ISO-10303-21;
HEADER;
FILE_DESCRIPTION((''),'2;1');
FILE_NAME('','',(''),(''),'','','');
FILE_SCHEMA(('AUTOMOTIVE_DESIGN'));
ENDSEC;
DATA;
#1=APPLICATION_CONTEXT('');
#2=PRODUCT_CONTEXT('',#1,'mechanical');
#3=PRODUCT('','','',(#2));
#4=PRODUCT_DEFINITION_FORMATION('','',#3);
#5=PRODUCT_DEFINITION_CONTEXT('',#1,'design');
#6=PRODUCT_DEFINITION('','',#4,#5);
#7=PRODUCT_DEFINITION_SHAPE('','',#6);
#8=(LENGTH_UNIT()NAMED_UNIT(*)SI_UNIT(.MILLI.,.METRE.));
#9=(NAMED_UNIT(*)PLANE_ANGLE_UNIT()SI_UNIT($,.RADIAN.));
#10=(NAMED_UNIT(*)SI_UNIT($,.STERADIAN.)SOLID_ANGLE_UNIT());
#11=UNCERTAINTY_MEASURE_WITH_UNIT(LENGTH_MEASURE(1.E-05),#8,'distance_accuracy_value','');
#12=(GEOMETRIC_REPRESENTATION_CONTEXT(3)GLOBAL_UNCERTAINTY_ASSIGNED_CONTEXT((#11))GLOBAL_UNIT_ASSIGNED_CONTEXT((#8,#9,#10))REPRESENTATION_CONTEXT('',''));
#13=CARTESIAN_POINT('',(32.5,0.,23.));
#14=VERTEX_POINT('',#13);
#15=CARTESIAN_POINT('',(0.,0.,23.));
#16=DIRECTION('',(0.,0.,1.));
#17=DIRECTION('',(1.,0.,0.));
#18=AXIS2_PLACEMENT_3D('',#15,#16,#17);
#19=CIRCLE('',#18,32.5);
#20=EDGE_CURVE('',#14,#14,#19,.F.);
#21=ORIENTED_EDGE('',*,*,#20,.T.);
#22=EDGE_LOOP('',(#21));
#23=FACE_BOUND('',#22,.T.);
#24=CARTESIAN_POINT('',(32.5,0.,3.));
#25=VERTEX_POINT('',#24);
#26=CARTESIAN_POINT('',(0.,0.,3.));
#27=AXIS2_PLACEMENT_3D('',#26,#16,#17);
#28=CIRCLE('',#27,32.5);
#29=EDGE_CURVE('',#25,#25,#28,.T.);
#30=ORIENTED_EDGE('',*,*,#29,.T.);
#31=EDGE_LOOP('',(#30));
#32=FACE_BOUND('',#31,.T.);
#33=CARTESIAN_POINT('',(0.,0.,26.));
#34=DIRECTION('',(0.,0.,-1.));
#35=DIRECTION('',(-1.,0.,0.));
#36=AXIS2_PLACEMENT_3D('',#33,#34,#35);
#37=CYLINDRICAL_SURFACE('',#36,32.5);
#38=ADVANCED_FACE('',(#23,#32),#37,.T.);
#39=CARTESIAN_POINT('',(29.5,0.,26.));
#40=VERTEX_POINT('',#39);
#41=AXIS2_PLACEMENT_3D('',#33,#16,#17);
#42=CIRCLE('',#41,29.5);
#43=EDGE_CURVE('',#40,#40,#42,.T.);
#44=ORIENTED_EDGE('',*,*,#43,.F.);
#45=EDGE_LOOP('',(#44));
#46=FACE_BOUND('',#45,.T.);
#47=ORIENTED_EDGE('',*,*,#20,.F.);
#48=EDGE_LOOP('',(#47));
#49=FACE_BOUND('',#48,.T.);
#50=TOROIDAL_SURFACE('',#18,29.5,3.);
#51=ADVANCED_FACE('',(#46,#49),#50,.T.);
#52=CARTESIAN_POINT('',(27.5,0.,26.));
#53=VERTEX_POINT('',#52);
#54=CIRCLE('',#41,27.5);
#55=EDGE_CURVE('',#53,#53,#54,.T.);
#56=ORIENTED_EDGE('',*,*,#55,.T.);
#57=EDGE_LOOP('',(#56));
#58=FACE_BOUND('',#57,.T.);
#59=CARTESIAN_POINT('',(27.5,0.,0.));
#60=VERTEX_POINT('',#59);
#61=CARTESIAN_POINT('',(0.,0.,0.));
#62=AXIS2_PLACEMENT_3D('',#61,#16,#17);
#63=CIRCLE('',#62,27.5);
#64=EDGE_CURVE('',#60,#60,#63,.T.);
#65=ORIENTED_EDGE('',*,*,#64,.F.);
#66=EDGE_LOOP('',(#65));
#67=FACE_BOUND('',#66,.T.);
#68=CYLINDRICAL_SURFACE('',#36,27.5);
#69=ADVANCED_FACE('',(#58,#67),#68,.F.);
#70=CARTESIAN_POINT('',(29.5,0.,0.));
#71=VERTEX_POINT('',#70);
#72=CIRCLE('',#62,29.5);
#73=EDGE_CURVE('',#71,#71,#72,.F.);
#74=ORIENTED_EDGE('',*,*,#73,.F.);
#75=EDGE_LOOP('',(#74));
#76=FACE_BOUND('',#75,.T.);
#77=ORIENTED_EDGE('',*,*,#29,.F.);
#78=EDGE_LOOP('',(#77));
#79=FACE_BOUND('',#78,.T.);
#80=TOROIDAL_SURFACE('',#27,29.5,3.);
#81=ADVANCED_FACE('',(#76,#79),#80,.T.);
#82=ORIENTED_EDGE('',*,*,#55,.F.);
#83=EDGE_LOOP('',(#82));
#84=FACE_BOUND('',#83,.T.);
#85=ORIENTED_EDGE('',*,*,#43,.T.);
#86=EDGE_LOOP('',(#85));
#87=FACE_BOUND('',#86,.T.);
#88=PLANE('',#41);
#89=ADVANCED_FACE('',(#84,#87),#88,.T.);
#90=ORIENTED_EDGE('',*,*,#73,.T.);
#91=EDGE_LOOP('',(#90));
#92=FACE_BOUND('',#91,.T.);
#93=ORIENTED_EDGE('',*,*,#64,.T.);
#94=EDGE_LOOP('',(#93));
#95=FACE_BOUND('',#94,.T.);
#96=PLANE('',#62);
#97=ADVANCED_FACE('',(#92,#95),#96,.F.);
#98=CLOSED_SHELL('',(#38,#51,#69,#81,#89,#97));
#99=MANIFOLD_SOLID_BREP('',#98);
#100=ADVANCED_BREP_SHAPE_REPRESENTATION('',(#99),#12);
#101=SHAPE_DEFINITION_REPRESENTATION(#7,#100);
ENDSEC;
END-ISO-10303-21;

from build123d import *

# Parameters (mm, degrees)
SKETCH1_R           = 32.5
SKETCH1_R_2         = 27.5
BOSS_EXTRUDE1_DEPTH = 26
FILLET1_R           = 3


with BuildPart() as part:
    # Sketch1 → Boss-Extrude1 (new body)
    with BuildSketch(Plane.XY):
        Circle(SKETCH1_R)
        Circle(SKETCH1_R_2, mode=Mode.SUBTRACT)
    extrude(amount=BOSS_EXTRUDE1_DEPTH)

    # Fillet1
    fillet1_edges = [part.edges().sort_by_distance(p)[0] for p in [
        (-32.5, 0, 0),
        (-32.5, 0, 26),
    ]]
    fillet(fillet1_edges, radius=FILLET1_R)


solid = part.part
